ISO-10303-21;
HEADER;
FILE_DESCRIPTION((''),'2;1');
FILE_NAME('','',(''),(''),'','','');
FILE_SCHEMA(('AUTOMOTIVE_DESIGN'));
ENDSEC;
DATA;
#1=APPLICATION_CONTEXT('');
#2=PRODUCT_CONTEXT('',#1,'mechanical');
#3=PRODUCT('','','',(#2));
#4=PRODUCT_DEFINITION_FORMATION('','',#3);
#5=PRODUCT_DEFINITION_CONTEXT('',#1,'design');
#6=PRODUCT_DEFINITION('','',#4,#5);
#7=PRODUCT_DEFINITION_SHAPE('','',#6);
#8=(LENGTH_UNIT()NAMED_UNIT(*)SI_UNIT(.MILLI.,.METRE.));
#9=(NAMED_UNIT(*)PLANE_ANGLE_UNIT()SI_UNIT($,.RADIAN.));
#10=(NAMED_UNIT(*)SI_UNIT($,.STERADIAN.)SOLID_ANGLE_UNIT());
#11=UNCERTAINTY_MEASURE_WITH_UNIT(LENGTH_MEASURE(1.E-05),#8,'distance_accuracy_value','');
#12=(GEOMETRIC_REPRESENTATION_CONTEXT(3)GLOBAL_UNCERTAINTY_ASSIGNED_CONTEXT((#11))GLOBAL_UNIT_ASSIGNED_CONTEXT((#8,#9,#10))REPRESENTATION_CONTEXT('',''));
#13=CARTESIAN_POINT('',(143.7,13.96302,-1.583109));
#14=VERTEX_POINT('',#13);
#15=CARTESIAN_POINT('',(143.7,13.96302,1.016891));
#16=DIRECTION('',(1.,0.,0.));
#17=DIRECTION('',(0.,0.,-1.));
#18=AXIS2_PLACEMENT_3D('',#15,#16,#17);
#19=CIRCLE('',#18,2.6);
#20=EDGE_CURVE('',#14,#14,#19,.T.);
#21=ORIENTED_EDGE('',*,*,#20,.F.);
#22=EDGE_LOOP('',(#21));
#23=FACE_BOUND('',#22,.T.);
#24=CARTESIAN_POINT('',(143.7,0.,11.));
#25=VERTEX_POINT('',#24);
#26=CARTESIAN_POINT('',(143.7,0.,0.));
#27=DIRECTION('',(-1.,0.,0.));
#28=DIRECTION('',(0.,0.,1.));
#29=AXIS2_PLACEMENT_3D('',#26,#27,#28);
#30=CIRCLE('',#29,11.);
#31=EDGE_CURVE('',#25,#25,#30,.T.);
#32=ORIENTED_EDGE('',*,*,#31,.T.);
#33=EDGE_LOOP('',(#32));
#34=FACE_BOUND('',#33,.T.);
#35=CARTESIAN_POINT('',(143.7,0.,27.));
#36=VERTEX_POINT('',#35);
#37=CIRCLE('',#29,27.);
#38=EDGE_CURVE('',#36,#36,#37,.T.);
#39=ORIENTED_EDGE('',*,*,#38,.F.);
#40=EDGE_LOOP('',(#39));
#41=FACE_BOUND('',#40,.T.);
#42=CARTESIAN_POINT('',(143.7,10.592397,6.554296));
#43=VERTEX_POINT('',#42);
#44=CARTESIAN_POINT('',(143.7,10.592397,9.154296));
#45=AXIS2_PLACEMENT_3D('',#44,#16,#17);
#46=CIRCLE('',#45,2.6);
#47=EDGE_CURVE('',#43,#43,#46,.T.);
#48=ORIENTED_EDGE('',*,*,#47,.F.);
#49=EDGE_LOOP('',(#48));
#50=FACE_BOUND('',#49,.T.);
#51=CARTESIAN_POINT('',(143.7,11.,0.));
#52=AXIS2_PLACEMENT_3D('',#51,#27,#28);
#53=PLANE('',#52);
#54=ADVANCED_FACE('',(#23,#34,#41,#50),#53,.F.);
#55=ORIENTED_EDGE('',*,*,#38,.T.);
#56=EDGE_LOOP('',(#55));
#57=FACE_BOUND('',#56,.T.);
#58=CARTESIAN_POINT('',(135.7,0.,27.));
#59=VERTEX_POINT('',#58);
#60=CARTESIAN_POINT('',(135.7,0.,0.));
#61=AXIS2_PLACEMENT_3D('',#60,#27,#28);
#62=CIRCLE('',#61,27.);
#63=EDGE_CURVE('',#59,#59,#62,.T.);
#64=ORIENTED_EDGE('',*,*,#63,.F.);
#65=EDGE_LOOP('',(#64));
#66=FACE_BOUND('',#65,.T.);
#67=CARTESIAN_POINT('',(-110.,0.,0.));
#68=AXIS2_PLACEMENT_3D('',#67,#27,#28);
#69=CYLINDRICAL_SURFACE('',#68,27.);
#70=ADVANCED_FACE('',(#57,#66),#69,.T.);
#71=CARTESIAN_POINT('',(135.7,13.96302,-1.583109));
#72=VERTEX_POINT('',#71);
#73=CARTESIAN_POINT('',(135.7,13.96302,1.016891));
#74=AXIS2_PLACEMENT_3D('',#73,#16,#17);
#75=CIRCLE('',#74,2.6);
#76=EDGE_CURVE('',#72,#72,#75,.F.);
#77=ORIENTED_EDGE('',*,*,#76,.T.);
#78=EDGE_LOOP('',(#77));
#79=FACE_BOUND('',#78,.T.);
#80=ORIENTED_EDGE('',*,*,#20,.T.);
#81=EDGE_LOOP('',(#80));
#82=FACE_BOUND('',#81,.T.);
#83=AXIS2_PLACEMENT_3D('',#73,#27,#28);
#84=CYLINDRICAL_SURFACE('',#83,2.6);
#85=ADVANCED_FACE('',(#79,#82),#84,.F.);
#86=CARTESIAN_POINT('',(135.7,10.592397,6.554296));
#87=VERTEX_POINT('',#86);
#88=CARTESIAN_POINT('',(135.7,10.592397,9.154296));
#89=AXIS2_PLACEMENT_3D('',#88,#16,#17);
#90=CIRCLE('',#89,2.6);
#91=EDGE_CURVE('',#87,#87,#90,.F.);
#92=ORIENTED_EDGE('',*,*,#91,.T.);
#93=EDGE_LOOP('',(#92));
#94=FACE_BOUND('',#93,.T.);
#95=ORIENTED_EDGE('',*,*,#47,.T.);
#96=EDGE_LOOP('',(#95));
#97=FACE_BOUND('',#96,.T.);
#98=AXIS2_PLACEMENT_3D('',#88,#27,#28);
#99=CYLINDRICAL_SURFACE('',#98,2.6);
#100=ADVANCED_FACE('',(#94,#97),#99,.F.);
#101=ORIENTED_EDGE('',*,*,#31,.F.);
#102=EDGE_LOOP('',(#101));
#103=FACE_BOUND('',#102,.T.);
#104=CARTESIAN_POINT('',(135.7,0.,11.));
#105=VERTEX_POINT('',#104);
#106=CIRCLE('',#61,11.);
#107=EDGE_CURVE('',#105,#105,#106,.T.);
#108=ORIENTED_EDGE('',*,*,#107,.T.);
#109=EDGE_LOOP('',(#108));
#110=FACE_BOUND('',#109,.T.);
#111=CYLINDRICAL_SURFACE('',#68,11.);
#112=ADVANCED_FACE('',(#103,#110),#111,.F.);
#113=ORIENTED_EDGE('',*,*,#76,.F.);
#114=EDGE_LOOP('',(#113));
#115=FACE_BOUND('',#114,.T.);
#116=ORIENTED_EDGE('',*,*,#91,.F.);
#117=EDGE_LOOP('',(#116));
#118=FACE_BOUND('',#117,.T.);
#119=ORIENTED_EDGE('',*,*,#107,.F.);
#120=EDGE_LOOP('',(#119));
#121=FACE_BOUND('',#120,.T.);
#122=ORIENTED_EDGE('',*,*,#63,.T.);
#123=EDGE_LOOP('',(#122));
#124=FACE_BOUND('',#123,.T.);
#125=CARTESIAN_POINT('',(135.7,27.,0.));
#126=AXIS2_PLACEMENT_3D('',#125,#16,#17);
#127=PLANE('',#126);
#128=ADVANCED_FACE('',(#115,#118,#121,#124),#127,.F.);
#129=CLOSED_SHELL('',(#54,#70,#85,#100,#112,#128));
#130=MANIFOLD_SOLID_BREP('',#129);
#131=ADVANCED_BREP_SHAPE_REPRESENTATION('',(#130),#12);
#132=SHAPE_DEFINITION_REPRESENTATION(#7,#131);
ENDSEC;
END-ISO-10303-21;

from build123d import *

# Parameters (mm, degrees)
AXIAL_PROFILE_MM_W     = 8
AXIAL_PROFILE_MM_H     = 16
AXIAL_HOLES_DEPTH      = 149.686549493
AXIAL_HOLES_DEPTH_BACK = 149.686549493
SKETCH2_R              = 2.6


with BuildPart() as part:
    # Axial profile (mm) → Full revolution (revolve)
    with BuildSketch(Plane.XY, mode=Mode.PRIVATE) as full_revolution_sk:
        with Locations((139.7, 19)):
            Rectangle(AXIAL_PROFILE_MM_W, AXIAL_PROFILE_MM_H)
    revolve(full_revolution_sk.sketch.rotate(Axis((-110, 0, 0), (1, 0, 0)), 90), axis=Axis((-110, 0, 0), (1, 0, 0)))

    # Sketch2 → Axial holes (cut, two sides: drawn at the far end of the back side and taken through both)
    with BuildSketch(Plane(origin=(0, 0, 0), x_dir=(0, 0, -1), z_dir=(1, 0, 0)).offset(-AXIAL_HOLES_DEPTH_BACK)):
        with Locations((-1.016890853, 13.963020196)):
            Circle(SKETCH2_R)
        with Locations((-9.154295848, 10.592396684)):
            Circle(SKETCH2_R)
    extrude(amount=AXIAL_HOLES_DEPTH + AXIAL_HOLES_DEPTH_BACK, mode=Mode.SUBTRACT)


solid = part.part
